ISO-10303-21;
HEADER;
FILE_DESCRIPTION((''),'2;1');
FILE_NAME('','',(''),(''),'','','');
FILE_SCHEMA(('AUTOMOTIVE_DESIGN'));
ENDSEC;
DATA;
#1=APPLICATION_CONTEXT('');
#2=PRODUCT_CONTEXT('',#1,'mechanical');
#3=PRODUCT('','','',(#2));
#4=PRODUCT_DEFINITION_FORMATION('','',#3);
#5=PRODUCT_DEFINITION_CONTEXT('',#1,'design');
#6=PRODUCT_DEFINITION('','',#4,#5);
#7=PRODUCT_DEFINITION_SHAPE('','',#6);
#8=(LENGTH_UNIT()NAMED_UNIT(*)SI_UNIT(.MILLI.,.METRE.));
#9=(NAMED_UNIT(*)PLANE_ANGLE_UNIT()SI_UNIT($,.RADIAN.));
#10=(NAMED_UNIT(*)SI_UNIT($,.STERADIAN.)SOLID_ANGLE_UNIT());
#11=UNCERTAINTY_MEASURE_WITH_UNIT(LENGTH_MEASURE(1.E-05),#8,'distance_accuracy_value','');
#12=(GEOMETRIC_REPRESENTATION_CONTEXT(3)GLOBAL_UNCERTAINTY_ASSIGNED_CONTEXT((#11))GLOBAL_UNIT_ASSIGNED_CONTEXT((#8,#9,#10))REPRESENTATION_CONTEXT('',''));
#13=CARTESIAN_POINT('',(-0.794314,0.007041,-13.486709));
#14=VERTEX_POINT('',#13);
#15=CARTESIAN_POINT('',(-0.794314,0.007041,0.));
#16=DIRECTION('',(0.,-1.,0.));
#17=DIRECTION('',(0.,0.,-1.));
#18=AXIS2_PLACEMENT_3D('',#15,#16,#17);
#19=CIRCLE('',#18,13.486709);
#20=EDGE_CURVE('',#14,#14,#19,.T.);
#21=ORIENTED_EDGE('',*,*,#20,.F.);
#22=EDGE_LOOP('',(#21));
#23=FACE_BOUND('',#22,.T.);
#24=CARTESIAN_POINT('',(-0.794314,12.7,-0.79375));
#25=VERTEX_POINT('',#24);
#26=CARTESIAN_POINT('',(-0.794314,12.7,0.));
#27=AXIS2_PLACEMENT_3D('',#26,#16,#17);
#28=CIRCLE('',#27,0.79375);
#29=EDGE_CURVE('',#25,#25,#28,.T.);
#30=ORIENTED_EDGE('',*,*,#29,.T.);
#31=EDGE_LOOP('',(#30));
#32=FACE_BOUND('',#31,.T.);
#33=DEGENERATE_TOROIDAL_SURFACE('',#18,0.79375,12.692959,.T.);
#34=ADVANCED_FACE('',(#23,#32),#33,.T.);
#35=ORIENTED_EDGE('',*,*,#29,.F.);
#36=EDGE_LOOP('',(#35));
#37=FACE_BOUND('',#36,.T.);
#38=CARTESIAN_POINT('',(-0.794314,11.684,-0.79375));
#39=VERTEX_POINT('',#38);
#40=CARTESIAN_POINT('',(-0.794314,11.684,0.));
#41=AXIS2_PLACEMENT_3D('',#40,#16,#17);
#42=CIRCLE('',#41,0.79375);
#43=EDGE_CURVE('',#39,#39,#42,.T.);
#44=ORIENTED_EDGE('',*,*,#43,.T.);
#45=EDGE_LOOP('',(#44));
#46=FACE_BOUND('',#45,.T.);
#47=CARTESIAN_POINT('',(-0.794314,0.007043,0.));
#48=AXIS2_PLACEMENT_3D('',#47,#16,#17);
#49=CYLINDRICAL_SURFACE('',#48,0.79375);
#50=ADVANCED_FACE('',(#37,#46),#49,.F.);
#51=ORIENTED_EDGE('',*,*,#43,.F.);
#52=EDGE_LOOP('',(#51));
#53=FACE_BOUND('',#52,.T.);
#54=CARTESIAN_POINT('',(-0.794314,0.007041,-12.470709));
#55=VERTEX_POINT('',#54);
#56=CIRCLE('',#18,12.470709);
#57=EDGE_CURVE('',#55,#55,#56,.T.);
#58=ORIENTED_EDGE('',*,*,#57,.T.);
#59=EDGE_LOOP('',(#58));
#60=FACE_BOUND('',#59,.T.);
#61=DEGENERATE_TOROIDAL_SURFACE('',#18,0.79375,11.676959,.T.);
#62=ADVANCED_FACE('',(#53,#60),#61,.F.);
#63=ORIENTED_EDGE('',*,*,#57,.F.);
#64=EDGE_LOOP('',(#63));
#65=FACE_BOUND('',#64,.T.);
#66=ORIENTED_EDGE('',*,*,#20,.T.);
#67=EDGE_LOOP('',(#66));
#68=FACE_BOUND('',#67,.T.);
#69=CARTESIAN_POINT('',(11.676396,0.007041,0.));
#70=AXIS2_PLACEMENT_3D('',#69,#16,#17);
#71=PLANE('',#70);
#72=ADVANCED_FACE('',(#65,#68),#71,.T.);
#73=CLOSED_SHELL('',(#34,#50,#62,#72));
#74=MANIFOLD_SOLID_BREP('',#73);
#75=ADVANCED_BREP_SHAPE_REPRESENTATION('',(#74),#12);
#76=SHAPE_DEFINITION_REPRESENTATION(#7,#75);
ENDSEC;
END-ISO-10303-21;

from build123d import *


with BuildPart() as part:
    # Sketch1 → Revolve5 (revolve)
    with BuildSketch(Plane.XY, mode=Mode.PRIVATE) as revolve5_sk:
        with BuildLine():
            Line((-0.000563715, 11.684000156), (-0.000563715, 12.700000156))
            ThreePointArc((-0.000563715, 12.700000156), (8.974713965, 8.982318415), (12.692395706, 0.007040735))
            Line((12.692395706, 0.007040735), (11.676395706, 0.007040735))
            ThreePointArc((11.676395706, 0.007040735), (8.256293475, 8.263897926), (-0.000563715, 11.684000156))
        make_face()
    revolve(revolve5_sk.sketch.rotate(Axis((-0.794313715, 0.007042532, 0), (0, 1, 0)), 90), axis=Axis((-0.794313715, 0.007042532, 0), (0, 1, 0)))


solid = part.part
